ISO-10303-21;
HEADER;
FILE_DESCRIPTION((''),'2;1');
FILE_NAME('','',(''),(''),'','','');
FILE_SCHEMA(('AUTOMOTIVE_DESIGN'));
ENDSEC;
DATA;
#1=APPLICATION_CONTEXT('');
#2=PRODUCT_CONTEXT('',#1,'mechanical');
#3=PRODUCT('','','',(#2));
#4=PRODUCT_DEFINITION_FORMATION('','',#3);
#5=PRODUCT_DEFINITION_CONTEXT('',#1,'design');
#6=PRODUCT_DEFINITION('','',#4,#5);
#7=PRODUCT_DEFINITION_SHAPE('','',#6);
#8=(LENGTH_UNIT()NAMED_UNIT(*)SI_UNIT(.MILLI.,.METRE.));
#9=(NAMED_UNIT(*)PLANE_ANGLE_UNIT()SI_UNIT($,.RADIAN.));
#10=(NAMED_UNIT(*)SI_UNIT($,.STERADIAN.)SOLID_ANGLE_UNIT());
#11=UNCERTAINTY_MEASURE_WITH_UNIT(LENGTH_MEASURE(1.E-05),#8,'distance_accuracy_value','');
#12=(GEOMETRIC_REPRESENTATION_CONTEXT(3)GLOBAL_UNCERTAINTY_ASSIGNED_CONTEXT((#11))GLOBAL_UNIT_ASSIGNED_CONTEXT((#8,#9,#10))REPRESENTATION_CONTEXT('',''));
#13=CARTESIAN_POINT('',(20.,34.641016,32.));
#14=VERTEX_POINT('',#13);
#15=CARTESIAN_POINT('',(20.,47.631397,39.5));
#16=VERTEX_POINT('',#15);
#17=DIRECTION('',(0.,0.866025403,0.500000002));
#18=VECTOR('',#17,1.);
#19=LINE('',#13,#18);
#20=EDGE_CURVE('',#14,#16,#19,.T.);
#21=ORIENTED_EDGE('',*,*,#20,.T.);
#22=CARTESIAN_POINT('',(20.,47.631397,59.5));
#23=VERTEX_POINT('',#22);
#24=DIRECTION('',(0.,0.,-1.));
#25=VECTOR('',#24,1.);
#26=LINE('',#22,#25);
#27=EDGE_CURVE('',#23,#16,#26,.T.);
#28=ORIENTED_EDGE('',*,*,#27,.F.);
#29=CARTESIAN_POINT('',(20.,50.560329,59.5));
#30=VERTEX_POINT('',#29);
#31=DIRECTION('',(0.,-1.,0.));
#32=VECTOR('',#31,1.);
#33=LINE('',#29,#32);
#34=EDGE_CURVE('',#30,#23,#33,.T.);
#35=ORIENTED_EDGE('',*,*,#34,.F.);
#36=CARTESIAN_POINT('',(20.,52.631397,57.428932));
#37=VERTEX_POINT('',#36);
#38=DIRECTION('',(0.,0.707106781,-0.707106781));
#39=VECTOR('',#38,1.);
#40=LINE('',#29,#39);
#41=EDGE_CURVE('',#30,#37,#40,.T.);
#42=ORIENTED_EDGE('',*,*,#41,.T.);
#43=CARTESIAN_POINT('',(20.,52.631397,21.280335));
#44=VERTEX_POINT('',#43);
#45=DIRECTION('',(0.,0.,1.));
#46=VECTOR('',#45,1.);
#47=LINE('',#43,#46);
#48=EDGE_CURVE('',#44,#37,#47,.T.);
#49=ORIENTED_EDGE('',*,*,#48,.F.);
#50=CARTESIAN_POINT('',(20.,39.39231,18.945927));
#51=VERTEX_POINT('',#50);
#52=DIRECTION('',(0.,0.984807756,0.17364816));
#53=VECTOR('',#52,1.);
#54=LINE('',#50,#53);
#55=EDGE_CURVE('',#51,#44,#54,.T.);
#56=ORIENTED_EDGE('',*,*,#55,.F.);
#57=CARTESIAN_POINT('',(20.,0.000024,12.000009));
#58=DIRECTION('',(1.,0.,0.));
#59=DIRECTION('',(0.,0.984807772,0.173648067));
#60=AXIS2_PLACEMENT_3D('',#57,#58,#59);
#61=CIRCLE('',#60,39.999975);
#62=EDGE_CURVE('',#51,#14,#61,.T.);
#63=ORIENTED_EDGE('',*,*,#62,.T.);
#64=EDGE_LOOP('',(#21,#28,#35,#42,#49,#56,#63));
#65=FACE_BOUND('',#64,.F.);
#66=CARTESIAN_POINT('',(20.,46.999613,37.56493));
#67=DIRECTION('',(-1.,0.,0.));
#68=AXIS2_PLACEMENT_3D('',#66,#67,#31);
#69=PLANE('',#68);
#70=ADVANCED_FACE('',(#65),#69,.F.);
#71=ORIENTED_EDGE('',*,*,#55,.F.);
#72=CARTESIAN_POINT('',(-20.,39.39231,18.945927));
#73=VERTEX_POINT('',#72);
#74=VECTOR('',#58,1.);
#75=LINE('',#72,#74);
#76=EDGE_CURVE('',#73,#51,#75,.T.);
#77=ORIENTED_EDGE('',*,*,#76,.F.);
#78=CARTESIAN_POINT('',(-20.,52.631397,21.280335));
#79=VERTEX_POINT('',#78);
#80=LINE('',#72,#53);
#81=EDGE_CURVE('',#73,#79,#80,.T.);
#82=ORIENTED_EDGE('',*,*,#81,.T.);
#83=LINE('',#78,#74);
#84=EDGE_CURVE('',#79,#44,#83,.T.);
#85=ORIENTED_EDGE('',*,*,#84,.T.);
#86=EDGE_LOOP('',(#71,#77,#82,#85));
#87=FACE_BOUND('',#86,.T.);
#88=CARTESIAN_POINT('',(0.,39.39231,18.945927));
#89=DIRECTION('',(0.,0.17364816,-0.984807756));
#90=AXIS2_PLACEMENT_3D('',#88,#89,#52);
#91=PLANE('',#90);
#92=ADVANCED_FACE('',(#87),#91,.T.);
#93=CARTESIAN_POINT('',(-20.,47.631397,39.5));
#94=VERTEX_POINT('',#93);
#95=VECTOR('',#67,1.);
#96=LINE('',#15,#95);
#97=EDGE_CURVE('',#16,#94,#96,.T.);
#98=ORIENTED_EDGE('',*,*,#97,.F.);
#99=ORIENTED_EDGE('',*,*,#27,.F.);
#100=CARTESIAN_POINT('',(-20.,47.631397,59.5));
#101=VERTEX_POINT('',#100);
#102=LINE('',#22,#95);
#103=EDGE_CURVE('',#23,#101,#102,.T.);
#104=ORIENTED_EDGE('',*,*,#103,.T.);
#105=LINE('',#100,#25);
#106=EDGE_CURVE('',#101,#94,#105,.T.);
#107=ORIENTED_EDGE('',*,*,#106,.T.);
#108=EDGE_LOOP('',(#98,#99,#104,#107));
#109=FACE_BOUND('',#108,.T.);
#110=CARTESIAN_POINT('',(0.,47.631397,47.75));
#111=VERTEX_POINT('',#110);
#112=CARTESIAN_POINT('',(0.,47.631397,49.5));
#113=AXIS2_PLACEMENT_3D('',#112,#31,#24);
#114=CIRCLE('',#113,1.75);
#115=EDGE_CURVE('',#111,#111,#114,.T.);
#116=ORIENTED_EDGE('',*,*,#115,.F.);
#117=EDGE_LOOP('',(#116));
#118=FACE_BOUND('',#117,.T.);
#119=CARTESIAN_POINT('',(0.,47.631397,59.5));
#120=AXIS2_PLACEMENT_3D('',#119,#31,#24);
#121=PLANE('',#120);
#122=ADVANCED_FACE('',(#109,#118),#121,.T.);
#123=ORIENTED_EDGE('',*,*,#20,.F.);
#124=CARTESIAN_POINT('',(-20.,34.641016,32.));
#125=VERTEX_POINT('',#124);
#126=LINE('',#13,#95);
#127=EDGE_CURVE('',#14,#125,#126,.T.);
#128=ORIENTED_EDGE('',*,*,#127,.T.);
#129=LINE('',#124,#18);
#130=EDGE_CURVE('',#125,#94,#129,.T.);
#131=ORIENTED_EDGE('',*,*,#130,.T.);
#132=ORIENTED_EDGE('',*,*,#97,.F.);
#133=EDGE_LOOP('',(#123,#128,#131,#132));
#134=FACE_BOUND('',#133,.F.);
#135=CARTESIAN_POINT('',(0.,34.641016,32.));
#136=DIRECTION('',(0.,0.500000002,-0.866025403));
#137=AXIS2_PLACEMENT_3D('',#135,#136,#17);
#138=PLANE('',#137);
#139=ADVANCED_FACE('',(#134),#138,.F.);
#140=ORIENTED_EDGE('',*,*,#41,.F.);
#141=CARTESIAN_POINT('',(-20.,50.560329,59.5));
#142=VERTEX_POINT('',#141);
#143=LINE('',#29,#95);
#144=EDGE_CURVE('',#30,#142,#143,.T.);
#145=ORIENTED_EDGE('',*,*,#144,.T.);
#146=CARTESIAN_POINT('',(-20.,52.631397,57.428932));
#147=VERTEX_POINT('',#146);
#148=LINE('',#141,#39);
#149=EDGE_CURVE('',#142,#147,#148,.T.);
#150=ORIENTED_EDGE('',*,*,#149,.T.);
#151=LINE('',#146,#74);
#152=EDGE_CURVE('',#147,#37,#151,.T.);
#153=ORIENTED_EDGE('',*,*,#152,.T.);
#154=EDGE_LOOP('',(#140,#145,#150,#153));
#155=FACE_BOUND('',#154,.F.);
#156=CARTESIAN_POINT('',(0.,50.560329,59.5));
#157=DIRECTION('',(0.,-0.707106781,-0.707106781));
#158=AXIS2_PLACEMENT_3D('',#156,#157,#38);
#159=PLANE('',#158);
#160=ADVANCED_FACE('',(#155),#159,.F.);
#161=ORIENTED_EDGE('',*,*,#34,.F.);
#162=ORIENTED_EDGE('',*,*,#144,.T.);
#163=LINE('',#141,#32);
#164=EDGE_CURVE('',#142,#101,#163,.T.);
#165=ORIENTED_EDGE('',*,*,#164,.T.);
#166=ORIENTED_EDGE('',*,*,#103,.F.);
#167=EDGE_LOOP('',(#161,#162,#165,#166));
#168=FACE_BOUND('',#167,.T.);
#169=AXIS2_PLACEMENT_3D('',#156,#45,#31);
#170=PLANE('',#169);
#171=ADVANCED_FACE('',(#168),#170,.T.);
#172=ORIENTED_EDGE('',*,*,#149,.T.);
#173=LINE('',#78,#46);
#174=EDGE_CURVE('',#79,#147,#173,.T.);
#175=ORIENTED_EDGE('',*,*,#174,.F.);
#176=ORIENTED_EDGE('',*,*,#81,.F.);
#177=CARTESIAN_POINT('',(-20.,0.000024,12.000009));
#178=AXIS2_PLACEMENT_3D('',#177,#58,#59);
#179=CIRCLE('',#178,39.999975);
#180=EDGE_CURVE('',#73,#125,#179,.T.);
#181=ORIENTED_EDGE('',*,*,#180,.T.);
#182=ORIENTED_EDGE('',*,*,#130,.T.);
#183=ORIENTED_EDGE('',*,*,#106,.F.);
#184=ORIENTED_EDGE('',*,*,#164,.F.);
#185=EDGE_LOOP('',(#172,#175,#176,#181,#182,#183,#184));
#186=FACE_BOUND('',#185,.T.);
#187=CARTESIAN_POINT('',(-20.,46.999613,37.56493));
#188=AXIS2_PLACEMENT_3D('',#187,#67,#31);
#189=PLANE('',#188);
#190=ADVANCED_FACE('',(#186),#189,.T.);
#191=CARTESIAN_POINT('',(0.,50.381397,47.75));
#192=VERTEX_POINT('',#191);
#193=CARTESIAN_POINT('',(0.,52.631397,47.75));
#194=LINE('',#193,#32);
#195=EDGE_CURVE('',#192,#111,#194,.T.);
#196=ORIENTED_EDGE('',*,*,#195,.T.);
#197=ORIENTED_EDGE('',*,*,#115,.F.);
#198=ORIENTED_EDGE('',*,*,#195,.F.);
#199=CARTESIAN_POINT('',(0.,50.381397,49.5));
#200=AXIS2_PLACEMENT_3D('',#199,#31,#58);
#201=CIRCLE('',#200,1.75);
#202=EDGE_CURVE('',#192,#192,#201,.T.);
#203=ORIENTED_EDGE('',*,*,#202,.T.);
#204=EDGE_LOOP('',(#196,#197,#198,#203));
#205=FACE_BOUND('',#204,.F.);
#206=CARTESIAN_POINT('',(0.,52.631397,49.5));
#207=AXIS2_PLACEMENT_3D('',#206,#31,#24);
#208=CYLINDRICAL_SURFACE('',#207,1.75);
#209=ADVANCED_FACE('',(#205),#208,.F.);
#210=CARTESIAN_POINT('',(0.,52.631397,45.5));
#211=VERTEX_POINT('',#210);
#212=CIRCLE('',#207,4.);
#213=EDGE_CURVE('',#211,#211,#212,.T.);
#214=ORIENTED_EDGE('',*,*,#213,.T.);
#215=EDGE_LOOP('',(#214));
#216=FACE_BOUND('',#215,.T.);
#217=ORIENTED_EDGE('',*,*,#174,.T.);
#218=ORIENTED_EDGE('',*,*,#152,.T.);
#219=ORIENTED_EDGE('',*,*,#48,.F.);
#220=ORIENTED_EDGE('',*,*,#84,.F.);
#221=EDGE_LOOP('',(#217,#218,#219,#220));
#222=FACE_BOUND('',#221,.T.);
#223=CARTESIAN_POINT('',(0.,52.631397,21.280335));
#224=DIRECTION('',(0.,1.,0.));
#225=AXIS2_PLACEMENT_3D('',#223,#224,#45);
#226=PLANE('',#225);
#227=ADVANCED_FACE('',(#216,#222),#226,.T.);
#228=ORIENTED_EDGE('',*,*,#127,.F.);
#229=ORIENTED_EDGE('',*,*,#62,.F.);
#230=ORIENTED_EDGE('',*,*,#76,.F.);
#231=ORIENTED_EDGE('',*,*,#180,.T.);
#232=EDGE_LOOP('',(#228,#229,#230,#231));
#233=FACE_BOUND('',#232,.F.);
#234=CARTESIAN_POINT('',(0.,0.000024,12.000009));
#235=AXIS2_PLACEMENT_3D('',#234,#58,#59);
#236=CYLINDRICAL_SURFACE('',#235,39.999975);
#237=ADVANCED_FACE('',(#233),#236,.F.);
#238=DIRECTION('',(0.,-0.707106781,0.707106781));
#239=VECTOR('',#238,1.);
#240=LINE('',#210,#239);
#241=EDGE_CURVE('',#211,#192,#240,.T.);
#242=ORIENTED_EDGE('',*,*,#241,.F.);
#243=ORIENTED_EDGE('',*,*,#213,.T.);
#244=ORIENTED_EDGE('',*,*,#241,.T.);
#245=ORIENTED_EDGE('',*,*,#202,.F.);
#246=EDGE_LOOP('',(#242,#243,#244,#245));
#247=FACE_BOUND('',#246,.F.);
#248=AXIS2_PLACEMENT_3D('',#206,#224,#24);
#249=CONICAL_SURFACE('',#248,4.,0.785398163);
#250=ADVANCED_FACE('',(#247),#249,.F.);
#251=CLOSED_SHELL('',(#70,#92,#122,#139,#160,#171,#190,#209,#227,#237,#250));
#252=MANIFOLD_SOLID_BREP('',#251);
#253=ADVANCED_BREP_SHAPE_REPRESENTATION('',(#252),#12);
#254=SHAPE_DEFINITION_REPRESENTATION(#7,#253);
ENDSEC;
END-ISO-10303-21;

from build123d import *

# Parameters (mm, degrees)
PAD_DEPTH        = 20
HOLE_D           = 3.5
HOLE_CSINK_D     = 8
HOLE_CSINK_ANGLE = 90


with BuildPart() as part:
    # Sketch → Pad (new body, symmetric)
    with BuildSketch(Plane.YZ):
        with BuildLine():
            ThreePointArc((39.39231, 18.945927), (37.587705, 25.680806), (34.641016, 32))
            Line((34.641016, 32), (47.631397, 39.5))
            Line((47.631397, 59.5), (47.631397, 39.5))
            Line((50.560329, 59.5), (47.631397, 59.5))
            Line((50.560329, 59.5), (52.631397, 57.428932))
            Line((52.631397, 21.280335), (52.631397, 57.428932))
            Line((39.39231, 18.945927), (52.631397, 21.280335))
        make_face()
    extrude(amount=PAD_DEPTH, both=True)

    # Hole (through all)
    with Locations(Plane.ZX.offset(52.631397)):
        with Locations((49.5, 0)):
            CounterSinkHole(HOLE_D / 2, HOLE_CSINK_D / 2, counter_sink_angle=HOLE_CSINK_ANGLE)


solid = part.part
